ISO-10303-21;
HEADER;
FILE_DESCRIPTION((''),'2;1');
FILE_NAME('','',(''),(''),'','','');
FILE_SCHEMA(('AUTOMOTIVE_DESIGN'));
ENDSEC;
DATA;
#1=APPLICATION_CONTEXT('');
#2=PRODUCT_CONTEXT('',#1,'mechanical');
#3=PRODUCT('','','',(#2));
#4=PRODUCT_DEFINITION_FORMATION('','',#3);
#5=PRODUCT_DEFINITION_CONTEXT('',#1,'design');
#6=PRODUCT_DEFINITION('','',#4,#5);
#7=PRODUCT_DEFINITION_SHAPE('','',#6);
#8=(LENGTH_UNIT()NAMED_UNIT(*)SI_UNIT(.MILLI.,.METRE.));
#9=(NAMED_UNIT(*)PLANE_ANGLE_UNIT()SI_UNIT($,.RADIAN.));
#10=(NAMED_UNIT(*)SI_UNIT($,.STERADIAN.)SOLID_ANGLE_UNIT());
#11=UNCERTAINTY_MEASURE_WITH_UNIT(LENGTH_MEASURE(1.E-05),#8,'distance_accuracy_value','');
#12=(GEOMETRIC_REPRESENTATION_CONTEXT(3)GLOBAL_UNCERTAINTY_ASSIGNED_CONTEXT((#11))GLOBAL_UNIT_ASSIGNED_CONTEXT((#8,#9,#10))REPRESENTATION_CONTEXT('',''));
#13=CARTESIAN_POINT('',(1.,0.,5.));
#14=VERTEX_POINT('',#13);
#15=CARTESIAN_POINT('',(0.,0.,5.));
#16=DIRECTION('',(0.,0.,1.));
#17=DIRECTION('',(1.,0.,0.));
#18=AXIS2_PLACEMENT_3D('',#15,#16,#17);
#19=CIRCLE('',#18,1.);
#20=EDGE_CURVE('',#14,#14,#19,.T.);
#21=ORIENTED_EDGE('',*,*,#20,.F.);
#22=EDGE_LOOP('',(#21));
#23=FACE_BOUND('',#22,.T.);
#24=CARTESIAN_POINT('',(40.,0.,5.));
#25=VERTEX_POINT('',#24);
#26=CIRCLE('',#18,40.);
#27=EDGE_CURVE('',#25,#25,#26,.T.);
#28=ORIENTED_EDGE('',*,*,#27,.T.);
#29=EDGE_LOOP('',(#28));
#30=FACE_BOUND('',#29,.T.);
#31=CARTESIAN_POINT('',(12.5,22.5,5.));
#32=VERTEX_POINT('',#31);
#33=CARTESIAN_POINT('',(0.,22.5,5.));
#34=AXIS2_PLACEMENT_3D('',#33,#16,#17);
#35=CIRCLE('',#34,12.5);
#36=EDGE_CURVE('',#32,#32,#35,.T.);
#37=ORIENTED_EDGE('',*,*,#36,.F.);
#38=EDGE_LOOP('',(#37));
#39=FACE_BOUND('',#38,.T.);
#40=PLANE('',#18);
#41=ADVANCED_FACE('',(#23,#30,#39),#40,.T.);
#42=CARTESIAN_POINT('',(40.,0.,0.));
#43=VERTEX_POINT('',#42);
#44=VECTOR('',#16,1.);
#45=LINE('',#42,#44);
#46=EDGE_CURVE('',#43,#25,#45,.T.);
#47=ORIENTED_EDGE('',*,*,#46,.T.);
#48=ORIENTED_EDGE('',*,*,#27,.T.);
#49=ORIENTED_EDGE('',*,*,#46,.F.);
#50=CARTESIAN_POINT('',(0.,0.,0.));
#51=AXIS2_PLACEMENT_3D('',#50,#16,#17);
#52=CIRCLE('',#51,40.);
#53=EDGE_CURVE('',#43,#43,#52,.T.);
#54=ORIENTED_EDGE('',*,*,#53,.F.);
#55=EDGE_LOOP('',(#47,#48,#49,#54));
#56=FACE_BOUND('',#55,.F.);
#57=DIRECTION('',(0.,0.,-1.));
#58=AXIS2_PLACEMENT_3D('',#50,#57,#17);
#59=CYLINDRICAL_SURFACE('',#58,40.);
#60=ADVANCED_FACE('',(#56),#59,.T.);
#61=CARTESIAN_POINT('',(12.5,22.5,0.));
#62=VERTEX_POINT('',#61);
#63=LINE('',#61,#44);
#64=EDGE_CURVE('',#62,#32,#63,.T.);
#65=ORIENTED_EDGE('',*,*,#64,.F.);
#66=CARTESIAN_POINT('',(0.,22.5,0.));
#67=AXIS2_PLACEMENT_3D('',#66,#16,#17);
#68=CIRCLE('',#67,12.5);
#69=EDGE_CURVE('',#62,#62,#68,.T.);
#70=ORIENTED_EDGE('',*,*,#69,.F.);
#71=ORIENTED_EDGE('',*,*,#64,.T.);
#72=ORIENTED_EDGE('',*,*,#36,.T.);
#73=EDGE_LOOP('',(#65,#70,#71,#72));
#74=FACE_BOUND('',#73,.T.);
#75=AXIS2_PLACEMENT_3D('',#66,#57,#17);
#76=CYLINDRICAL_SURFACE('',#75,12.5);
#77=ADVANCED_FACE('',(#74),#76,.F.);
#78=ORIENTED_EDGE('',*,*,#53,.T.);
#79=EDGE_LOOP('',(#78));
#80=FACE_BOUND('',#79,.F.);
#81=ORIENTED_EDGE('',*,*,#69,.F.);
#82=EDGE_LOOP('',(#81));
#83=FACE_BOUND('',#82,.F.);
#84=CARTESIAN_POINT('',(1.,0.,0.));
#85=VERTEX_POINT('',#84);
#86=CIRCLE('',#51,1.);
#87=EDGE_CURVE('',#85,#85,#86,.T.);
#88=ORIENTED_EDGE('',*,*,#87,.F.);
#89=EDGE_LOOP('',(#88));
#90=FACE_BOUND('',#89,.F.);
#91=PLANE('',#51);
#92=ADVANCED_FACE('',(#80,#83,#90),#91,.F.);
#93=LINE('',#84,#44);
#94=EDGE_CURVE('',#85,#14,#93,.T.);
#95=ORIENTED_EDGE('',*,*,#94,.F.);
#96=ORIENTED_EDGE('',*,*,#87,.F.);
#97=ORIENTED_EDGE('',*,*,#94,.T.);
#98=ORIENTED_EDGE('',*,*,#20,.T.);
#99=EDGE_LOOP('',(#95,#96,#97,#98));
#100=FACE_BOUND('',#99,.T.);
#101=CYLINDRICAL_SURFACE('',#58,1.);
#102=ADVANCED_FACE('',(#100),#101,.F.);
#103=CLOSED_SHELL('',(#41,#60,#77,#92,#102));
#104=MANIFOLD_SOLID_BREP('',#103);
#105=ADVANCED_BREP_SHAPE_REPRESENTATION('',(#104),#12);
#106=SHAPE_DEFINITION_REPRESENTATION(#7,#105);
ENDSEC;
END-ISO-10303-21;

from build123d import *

# Parameters (mm, degrees)
F0_R     = 40
F0_R_2   = 1
F0_R_3   = 12.5
F1_DEPTH = 5


with BuildPart() as f1:
    # F0 (on Top) → F1 (new body)
    with BuildSketch(Plane.XY):
        Circle(F0_R)
        Circle(F0_R_2, mode=Mode.SUBTRACT)
        with Locations((0, 22.5)):
            Circle(F0_R_3, mode=Mode.SUBTRACT)
    extrude(amount=F1_DEPTH)


solid = f1.part
